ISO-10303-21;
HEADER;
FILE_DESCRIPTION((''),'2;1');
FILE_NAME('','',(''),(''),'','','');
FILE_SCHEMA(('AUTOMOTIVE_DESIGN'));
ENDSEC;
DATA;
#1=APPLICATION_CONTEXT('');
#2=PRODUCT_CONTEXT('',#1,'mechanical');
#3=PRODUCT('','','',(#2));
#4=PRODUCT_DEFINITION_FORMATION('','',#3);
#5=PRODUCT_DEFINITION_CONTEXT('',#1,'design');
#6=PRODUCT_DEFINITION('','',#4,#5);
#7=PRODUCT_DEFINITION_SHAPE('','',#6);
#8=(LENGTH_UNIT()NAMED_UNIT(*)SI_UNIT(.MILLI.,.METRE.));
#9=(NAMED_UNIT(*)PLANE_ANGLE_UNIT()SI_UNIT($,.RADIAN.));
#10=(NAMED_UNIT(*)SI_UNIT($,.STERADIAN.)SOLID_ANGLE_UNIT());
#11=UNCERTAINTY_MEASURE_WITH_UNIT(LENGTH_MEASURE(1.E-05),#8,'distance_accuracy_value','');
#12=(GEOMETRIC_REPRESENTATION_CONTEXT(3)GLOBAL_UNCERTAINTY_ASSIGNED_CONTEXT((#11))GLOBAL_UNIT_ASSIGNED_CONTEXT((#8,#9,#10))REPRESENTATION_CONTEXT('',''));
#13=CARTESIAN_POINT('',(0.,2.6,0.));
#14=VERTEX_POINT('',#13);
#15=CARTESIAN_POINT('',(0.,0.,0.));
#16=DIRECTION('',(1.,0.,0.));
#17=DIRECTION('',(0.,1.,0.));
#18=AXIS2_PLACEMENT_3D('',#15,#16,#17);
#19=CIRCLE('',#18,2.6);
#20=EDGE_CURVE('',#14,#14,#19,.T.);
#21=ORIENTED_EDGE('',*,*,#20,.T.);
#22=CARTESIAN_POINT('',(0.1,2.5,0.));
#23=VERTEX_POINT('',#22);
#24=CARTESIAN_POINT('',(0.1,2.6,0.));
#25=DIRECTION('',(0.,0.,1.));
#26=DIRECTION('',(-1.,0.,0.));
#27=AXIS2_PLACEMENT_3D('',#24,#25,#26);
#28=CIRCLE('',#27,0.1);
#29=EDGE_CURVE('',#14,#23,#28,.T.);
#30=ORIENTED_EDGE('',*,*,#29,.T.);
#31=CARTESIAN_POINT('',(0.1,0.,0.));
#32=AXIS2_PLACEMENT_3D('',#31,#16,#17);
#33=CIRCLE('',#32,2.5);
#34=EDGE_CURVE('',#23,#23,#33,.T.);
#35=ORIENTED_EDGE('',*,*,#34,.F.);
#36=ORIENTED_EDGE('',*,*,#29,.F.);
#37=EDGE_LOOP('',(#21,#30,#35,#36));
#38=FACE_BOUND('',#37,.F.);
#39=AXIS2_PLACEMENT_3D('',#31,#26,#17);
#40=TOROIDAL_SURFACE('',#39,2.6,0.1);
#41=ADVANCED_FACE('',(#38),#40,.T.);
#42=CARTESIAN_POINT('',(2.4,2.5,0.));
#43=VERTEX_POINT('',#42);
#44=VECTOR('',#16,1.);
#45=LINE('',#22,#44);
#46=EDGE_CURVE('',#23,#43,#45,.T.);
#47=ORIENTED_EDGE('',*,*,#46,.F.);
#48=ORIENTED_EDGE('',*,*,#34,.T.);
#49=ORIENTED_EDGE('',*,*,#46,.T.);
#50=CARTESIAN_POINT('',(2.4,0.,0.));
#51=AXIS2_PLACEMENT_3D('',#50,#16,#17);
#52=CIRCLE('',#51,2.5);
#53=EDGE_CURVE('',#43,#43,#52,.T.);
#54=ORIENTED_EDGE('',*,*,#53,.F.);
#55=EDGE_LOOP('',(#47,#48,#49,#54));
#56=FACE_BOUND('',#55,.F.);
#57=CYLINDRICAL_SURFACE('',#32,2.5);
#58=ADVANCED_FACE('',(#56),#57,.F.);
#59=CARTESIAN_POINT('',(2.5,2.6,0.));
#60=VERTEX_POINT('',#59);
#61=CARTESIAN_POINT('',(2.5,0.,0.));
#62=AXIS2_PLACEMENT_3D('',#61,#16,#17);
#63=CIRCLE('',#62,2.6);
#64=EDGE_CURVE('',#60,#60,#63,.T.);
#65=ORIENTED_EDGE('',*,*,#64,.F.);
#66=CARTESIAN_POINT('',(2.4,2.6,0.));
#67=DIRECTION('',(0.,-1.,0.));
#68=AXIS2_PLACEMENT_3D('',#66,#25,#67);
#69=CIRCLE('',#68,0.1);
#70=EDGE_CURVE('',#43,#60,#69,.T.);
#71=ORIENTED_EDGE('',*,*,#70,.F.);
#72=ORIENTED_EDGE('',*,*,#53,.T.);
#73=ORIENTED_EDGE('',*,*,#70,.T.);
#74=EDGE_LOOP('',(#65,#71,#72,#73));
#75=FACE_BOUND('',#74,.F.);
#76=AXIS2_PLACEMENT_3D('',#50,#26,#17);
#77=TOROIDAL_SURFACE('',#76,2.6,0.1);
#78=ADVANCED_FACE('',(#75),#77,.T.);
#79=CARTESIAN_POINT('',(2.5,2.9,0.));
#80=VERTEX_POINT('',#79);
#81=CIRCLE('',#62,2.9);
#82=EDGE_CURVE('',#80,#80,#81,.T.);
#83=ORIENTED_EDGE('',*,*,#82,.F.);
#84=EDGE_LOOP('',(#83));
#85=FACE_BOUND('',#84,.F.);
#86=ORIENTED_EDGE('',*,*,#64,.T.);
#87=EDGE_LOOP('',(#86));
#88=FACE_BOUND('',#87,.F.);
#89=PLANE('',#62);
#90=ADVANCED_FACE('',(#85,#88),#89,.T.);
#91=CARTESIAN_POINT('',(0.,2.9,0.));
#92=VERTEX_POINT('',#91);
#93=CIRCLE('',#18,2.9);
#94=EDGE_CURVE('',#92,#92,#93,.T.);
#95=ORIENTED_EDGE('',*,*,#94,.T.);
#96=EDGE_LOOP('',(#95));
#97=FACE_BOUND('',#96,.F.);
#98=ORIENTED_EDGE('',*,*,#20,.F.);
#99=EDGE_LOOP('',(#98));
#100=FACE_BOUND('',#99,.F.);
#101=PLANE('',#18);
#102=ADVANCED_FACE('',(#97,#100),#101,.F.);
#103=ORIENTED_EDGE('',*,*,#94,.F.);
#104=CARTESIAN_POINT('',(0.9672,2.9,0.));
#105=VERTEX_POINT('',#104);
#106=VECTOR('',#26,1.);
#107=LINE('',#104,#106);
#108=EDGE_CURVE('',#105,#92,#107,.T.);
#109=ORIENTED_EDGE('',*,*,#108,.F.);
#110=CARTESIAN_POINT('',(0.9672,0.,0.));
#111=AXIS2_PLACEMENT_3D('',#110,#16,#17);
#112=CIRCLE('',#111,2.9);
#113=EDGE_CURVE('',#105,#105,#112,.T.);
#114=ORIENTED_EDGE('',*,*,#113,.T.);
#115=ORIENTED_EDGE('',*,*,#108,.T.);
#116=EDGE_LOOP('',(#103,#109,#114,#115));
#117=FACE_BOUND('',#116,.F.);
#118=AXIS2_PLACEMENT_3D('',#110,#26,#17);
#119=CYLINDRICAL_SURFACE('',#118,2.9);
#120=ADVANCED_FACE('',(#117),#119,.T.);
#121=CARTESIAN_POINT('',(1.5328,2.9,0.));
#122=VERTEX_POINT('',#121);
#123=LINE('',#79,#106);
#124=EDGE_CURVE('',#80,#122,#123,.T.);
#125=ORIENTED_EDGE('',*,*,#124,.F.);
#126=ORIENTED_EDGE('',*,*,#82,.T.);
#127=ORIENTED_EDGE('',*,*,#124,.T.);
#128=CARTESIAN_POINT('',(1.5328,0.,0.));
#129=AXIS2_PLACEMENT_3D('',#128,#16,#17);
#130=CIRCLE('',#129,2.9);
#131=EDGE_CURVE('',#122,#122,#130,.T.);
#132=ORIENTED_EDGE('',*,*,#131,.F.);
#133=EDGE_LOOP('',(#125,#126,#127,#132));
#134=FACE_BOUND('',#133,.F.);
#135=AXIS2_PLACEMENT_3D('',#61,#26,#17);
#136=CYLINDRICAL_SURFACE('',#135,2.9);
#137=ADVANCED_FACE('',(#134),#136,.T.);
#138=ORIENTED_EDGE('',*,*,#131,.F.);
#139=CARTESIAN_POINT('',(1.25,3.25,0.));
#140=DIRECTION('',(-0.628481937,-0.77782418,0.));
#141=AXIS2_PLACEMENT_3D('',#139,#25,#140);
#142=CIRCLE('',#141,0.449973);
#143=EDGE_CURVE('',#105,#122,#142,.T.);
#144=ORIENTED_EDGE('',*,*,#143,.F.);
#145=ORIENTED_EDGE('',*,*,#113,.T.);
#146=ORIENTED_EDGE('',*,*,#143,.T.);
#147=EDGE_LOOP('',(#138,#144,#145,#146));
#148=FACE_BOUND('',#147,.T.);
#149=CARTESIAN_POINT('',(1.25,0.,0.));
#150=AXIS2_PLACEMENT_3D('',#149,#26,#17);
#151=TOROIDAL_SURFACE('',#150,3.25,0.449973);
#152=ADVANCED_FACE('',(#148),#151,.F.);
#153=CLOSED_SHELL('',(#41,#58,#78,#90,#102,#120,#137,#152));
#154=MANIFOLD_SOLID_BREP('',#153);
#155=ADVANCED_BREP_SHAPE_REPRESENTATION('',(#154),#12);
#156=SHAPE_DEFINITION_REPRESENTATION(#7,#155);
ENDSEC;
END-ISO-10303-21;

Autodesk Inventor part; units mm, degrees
sketch "Sketch_1" plane through (0, 0, 0) normal (0, 0, 1) x (1, 0, 0)
  line L0 (2.5, 0) -> (0, 0)
  arc A0 (0, 2.6) -> (0.1, 2.5) centre (0.1, 2.6) ccw
  line L1 (0.1, 2.5) -> (2.4, 2.5)
  arc A1 (2.4, 2.5) -> (2.5, 2.6) centre (2.4, 2.6) ccw
  line L2 (2.5, 2.6) -> (2.5, 2.9)
  line L3 (2.5, 2.9) -> (1.5328, 2.9)
  arc A2 (0.9672, 2.9) -> (1.5328, 2.9) centre (1.25, 3.25) ccw
  line L4 (0.9672, 2.9) -> (0, 2.9)
  line L5 (0, 2.9) -> (0, 2.6)
revolve "Revolution1" add sketch "Sketch_1" angle 360 about axis through (2.5, 0, 0) along (1, 0, 0)
ref_plane "ip_st_1_1_XY" through (1.25, 3.25, 0) normal (1, 0, 0) x (0, 0, -1)
ref_plane "ip_st_1_1_YZ" through (1.25, 3.25, 0) normal (0, 0, -1) x (0, 1, 0)
ref_plane "ip_st_1_1_ZX" through (1.25, 3.25, 0) normal (0, 1, 0) x (1, 0, 0)
ref_plane "ip_st_1_10_XY" through (1.25, -3.1947, -0.5972) normal (1, 0, 0) x (0, 0, -1)
ref_plane "ip_st_1_10_YZ" through (1.25, -3.1947, -0.5972) normal (0, 0, -1) x (0, 1, 0)
ref_plane "ip_st_1_10_ZX" through (1.25, -3.1947, -0.5972) normal (0, 1, 0) x (1, 0, 0)
ref_plane "ip_st_1_11_XY" through (1.25, -2.7632, -1.7109) normal (1, 0, 0) x (0, 0, -1)
ref_plane "ip_st_1_11_YZ" through (1.25, -2.7632, -1.7109) normal (0, 0, -1) x (0, 1, 0)
ref_plane "ip_st_1_11_ZX" through (1.25, -2.7632, -1.7109) normal (0, 1, 0) x (1, 0, 0)
ref_plane "ip_st_1_12_XY" through (1.25, -1.9586, -2.5936) normal (1, 0, 0) x (0, 0, -1)
ref_plane "ip_st_1_12_YZ" through (1.25, -1.9586, -2.5936) normal (0, 0, -1) x (0, 1, 0)
ref_plane "ip_st_1_12_ZX" through (1.25, -1.9586, -2.5936) normal (0, 1, 0) x (1, 0, 0)
ref_plane "ip_st_1_13_XY" through (1.25, -0.8894, -3.1259) normal (1, 0, 0) x (0, 0, -1)
ref_plane "ip_st_1_13_YZ" through (1.25, -0.8894, -3.1259) normal (0, 0, -1) x (0, 1, 0)
ref_plane "ip_st_1_13_ZX" through (1.25, -0.8894, -3.1259) normal (0, 1, 0) x (1, 0, 0)
ref_plane "ip_st_1_14_XY" through (1.25, 0.2999, -3.2361) normal (1, 0, 0) x (0, 0, -1)
ref_plane "ip_st_1_14_YZ" through (1.25, 0.2999, -3.2361) normal (0, 0, -1) x (0, 1, 0)
ref_plane "ip_st_1_14_ZX" through (1.25, 0.2999, -3.2361) normal (0, 1, 0) x (1, 0, 0)
ref_plane "ip_st_1_15_XY" through (1.25, 1.4486, -2.9093) normal (1, 0, 0) x (0, 0, -1)
ref_plane "ip_st_1_15_YZ" through (1.25, 1.4486, -2.9093) normal (0, 0, -1) x (0, 1, 0)
ref_plane "ip_st_1_15_ZX" through (1.25, 1.4486, -2.9093) normal (0, 1, 0) x (1, 0, 0)
ref_plane "ip_st_1_16_XY" through (1.25, 2.4018, -2.1895) normal (1, 0, 0) x (0, 0, -1)
ref_plane "ip_st_1_16_YZ" through (1.25, 2.4018, -2.1895) normal (0, 0, -1) x (0, 1, 0)
ref_plane "ip_st_1_16_ZX" through (1.25, 2.4018, -2.1895) normal (0, 1, 0) x (1, 0, 0)
ref_plane "ip_st_1_17_XY" through (1.25, 3.0305, -1.174) normal (1, 0, 0) x (0, 0, -1)
ref_plane "ip_st_1_17_YZ" through (1.25, 3.0305, -1.174) normal (0, 0, -1) x (0, 1, 0)
ref_plane "ip_st_1_17_ZX" through (1.25, 3.0305, -1.174) normal (0, 1, 0) x (1, 0, 0)
ref_plane "ip_st_1_2_XY" through (1.25, 3.0305, 1.174) normal (1, 0, 0) x (0, 0, -1)
ref_plane "ip_st_1_2_YZ" through (1.25, 3.0305, 1.174) normal (0, 0, -1) x (0, 1, 0)
ref_plane "ip_st_1_2_ZX" through (1.25, 3.0305, 1.174) normal (0, 1, 0) x (1, 0, 0)
ref_plane "ip_st_1_3_XY" through (1.25, 2.4018, 2.1895) normal (1, 0, 0) x (0, 0, -1)
ref_plane "ip_st_1_3_YZ" through (1.25, 2.4018, 2.1895) normal (0, 0, -1) x (0, 1, 0)
ref_plane "ip_st_1_3_ZX" through (1.25, 2.4018, 2.1895) normal (0, 1, 0) x (1, 0, 0)
ref_plane "ip_st_1_4_XY" through (1.25, 1.4486, 2.9093) normal (1, 0, 0) x (0, 0, -1)
ref_plane "ip_st_1_4_YZ" through (1.25, 1.4486, 2.9093) normal (0, 0, -1) x (0, 1, 0)
ref_plane "ip_st_1_4_ZX" through (1.25, 1.4486, 2.9093) normal (0, 1, 0) x (1, 0, 0)
ref_plane "ip_st_1_5_XY" through (1.25, 0.2999, 3.2361) normal (1, 0, 0) x (0, 0, -1)
ref_plane "ip_st_1_5_YZ" through (1.25, 0.2999, 3.2361) normal (0, 0, -1) x (0, 1, 0)
ref_plane "ip_st_1_5_ZX" through (1.25, 0.2999, 3.2361) normal (0, 1, 0) x (1, 0, 0)
ref_plane "ip_st_1_6_XY" through (1.25, -0.8894, 3.1259) normal (1, 0, 0) x (0, 0, -1)
ref_plane "ip_st_1_6_YZ" through (1.25, -0.8894, 3.1259) normal (0, 0, -1) x (0, 1, 0)
ref_plane "ip_st_1_6_ZX" through (1.25, -0.8894, 3.1259) normal (0, 1, 0) x (1, 0, 0)
ref_plane "ip_st_1_7_XY" through (1.25, -1.9586, 2.5936) normal (1, 0, 0) x (0, 0, -1)
ref_plane "ip_st_1_7_YZ" through (1.25, -1.9586, 2.5936) normal (0, 0, -1) x (0, 1, 0)
ref_plane "ip_st_1_7_ZX" through (1.25, -1.9586, 2.5936) normal (0, 1, 0) x (1, 0, 0)
ref_plane "ip_st_1_8_XY" through (1.25, -2.7632, 1.7109) normal (1, 0, 0) x (0, 0, -1)
ref_plane "ip_st_1_8_YZ" through (1.25, -2.7632, 1.7109) normal (0, 0, -1) x (0, 1, 0)
ref_plane "ip_st_1_8_ZX" through (1.25, -2.7632, 1.7109) normal (0, 1, 0) x (1, 0, 0)
ref_plane "ip_st_1_9_XY" through (1.25, -3.1947, 0.5972) normal (1, 0, 0) x (0, 0, -1)
ref_plane "ip_st_1_9_YZ" through (1.25, -3.1947, 0.5972) normal (0, 0, -1) x (0, 1, 0)
ref_plane "ip_st_1_9_ZX" through (1.25, -3.1947, 0.5972) normal (0, 1, 0) x (1, 0, 0)
ref_plane "ip_st_1a_XY" through (0, 0, 0) normal (1, 0, 0) x (0, 0, -1)
ref_plane "ip_st_1a_YZ" through (0, 0, 0) normal (0, 0, -1) x (0, 1, 0)
ref_plane "ip_st_1a_ZX" through (0, 0, 0) normal (0, 1, 0) x (1, 0, 0)
ref_plane "ip_st_2a_XY" through (0.1562, 0, 0) normal (1, 0, 0) x (0, 0, -1)
ref_plane "ip_st_2a_YZ" through (0.1562, 0, 0) normal (0, 0, -1) x (0, 1, 0)
ref_plane "ip_st_2a_ZX" through (0.1562, 0, 0) normal (0, 1, 0) x (1, 0, 0)
properties part number "MF85ZZ Inner Ring"
